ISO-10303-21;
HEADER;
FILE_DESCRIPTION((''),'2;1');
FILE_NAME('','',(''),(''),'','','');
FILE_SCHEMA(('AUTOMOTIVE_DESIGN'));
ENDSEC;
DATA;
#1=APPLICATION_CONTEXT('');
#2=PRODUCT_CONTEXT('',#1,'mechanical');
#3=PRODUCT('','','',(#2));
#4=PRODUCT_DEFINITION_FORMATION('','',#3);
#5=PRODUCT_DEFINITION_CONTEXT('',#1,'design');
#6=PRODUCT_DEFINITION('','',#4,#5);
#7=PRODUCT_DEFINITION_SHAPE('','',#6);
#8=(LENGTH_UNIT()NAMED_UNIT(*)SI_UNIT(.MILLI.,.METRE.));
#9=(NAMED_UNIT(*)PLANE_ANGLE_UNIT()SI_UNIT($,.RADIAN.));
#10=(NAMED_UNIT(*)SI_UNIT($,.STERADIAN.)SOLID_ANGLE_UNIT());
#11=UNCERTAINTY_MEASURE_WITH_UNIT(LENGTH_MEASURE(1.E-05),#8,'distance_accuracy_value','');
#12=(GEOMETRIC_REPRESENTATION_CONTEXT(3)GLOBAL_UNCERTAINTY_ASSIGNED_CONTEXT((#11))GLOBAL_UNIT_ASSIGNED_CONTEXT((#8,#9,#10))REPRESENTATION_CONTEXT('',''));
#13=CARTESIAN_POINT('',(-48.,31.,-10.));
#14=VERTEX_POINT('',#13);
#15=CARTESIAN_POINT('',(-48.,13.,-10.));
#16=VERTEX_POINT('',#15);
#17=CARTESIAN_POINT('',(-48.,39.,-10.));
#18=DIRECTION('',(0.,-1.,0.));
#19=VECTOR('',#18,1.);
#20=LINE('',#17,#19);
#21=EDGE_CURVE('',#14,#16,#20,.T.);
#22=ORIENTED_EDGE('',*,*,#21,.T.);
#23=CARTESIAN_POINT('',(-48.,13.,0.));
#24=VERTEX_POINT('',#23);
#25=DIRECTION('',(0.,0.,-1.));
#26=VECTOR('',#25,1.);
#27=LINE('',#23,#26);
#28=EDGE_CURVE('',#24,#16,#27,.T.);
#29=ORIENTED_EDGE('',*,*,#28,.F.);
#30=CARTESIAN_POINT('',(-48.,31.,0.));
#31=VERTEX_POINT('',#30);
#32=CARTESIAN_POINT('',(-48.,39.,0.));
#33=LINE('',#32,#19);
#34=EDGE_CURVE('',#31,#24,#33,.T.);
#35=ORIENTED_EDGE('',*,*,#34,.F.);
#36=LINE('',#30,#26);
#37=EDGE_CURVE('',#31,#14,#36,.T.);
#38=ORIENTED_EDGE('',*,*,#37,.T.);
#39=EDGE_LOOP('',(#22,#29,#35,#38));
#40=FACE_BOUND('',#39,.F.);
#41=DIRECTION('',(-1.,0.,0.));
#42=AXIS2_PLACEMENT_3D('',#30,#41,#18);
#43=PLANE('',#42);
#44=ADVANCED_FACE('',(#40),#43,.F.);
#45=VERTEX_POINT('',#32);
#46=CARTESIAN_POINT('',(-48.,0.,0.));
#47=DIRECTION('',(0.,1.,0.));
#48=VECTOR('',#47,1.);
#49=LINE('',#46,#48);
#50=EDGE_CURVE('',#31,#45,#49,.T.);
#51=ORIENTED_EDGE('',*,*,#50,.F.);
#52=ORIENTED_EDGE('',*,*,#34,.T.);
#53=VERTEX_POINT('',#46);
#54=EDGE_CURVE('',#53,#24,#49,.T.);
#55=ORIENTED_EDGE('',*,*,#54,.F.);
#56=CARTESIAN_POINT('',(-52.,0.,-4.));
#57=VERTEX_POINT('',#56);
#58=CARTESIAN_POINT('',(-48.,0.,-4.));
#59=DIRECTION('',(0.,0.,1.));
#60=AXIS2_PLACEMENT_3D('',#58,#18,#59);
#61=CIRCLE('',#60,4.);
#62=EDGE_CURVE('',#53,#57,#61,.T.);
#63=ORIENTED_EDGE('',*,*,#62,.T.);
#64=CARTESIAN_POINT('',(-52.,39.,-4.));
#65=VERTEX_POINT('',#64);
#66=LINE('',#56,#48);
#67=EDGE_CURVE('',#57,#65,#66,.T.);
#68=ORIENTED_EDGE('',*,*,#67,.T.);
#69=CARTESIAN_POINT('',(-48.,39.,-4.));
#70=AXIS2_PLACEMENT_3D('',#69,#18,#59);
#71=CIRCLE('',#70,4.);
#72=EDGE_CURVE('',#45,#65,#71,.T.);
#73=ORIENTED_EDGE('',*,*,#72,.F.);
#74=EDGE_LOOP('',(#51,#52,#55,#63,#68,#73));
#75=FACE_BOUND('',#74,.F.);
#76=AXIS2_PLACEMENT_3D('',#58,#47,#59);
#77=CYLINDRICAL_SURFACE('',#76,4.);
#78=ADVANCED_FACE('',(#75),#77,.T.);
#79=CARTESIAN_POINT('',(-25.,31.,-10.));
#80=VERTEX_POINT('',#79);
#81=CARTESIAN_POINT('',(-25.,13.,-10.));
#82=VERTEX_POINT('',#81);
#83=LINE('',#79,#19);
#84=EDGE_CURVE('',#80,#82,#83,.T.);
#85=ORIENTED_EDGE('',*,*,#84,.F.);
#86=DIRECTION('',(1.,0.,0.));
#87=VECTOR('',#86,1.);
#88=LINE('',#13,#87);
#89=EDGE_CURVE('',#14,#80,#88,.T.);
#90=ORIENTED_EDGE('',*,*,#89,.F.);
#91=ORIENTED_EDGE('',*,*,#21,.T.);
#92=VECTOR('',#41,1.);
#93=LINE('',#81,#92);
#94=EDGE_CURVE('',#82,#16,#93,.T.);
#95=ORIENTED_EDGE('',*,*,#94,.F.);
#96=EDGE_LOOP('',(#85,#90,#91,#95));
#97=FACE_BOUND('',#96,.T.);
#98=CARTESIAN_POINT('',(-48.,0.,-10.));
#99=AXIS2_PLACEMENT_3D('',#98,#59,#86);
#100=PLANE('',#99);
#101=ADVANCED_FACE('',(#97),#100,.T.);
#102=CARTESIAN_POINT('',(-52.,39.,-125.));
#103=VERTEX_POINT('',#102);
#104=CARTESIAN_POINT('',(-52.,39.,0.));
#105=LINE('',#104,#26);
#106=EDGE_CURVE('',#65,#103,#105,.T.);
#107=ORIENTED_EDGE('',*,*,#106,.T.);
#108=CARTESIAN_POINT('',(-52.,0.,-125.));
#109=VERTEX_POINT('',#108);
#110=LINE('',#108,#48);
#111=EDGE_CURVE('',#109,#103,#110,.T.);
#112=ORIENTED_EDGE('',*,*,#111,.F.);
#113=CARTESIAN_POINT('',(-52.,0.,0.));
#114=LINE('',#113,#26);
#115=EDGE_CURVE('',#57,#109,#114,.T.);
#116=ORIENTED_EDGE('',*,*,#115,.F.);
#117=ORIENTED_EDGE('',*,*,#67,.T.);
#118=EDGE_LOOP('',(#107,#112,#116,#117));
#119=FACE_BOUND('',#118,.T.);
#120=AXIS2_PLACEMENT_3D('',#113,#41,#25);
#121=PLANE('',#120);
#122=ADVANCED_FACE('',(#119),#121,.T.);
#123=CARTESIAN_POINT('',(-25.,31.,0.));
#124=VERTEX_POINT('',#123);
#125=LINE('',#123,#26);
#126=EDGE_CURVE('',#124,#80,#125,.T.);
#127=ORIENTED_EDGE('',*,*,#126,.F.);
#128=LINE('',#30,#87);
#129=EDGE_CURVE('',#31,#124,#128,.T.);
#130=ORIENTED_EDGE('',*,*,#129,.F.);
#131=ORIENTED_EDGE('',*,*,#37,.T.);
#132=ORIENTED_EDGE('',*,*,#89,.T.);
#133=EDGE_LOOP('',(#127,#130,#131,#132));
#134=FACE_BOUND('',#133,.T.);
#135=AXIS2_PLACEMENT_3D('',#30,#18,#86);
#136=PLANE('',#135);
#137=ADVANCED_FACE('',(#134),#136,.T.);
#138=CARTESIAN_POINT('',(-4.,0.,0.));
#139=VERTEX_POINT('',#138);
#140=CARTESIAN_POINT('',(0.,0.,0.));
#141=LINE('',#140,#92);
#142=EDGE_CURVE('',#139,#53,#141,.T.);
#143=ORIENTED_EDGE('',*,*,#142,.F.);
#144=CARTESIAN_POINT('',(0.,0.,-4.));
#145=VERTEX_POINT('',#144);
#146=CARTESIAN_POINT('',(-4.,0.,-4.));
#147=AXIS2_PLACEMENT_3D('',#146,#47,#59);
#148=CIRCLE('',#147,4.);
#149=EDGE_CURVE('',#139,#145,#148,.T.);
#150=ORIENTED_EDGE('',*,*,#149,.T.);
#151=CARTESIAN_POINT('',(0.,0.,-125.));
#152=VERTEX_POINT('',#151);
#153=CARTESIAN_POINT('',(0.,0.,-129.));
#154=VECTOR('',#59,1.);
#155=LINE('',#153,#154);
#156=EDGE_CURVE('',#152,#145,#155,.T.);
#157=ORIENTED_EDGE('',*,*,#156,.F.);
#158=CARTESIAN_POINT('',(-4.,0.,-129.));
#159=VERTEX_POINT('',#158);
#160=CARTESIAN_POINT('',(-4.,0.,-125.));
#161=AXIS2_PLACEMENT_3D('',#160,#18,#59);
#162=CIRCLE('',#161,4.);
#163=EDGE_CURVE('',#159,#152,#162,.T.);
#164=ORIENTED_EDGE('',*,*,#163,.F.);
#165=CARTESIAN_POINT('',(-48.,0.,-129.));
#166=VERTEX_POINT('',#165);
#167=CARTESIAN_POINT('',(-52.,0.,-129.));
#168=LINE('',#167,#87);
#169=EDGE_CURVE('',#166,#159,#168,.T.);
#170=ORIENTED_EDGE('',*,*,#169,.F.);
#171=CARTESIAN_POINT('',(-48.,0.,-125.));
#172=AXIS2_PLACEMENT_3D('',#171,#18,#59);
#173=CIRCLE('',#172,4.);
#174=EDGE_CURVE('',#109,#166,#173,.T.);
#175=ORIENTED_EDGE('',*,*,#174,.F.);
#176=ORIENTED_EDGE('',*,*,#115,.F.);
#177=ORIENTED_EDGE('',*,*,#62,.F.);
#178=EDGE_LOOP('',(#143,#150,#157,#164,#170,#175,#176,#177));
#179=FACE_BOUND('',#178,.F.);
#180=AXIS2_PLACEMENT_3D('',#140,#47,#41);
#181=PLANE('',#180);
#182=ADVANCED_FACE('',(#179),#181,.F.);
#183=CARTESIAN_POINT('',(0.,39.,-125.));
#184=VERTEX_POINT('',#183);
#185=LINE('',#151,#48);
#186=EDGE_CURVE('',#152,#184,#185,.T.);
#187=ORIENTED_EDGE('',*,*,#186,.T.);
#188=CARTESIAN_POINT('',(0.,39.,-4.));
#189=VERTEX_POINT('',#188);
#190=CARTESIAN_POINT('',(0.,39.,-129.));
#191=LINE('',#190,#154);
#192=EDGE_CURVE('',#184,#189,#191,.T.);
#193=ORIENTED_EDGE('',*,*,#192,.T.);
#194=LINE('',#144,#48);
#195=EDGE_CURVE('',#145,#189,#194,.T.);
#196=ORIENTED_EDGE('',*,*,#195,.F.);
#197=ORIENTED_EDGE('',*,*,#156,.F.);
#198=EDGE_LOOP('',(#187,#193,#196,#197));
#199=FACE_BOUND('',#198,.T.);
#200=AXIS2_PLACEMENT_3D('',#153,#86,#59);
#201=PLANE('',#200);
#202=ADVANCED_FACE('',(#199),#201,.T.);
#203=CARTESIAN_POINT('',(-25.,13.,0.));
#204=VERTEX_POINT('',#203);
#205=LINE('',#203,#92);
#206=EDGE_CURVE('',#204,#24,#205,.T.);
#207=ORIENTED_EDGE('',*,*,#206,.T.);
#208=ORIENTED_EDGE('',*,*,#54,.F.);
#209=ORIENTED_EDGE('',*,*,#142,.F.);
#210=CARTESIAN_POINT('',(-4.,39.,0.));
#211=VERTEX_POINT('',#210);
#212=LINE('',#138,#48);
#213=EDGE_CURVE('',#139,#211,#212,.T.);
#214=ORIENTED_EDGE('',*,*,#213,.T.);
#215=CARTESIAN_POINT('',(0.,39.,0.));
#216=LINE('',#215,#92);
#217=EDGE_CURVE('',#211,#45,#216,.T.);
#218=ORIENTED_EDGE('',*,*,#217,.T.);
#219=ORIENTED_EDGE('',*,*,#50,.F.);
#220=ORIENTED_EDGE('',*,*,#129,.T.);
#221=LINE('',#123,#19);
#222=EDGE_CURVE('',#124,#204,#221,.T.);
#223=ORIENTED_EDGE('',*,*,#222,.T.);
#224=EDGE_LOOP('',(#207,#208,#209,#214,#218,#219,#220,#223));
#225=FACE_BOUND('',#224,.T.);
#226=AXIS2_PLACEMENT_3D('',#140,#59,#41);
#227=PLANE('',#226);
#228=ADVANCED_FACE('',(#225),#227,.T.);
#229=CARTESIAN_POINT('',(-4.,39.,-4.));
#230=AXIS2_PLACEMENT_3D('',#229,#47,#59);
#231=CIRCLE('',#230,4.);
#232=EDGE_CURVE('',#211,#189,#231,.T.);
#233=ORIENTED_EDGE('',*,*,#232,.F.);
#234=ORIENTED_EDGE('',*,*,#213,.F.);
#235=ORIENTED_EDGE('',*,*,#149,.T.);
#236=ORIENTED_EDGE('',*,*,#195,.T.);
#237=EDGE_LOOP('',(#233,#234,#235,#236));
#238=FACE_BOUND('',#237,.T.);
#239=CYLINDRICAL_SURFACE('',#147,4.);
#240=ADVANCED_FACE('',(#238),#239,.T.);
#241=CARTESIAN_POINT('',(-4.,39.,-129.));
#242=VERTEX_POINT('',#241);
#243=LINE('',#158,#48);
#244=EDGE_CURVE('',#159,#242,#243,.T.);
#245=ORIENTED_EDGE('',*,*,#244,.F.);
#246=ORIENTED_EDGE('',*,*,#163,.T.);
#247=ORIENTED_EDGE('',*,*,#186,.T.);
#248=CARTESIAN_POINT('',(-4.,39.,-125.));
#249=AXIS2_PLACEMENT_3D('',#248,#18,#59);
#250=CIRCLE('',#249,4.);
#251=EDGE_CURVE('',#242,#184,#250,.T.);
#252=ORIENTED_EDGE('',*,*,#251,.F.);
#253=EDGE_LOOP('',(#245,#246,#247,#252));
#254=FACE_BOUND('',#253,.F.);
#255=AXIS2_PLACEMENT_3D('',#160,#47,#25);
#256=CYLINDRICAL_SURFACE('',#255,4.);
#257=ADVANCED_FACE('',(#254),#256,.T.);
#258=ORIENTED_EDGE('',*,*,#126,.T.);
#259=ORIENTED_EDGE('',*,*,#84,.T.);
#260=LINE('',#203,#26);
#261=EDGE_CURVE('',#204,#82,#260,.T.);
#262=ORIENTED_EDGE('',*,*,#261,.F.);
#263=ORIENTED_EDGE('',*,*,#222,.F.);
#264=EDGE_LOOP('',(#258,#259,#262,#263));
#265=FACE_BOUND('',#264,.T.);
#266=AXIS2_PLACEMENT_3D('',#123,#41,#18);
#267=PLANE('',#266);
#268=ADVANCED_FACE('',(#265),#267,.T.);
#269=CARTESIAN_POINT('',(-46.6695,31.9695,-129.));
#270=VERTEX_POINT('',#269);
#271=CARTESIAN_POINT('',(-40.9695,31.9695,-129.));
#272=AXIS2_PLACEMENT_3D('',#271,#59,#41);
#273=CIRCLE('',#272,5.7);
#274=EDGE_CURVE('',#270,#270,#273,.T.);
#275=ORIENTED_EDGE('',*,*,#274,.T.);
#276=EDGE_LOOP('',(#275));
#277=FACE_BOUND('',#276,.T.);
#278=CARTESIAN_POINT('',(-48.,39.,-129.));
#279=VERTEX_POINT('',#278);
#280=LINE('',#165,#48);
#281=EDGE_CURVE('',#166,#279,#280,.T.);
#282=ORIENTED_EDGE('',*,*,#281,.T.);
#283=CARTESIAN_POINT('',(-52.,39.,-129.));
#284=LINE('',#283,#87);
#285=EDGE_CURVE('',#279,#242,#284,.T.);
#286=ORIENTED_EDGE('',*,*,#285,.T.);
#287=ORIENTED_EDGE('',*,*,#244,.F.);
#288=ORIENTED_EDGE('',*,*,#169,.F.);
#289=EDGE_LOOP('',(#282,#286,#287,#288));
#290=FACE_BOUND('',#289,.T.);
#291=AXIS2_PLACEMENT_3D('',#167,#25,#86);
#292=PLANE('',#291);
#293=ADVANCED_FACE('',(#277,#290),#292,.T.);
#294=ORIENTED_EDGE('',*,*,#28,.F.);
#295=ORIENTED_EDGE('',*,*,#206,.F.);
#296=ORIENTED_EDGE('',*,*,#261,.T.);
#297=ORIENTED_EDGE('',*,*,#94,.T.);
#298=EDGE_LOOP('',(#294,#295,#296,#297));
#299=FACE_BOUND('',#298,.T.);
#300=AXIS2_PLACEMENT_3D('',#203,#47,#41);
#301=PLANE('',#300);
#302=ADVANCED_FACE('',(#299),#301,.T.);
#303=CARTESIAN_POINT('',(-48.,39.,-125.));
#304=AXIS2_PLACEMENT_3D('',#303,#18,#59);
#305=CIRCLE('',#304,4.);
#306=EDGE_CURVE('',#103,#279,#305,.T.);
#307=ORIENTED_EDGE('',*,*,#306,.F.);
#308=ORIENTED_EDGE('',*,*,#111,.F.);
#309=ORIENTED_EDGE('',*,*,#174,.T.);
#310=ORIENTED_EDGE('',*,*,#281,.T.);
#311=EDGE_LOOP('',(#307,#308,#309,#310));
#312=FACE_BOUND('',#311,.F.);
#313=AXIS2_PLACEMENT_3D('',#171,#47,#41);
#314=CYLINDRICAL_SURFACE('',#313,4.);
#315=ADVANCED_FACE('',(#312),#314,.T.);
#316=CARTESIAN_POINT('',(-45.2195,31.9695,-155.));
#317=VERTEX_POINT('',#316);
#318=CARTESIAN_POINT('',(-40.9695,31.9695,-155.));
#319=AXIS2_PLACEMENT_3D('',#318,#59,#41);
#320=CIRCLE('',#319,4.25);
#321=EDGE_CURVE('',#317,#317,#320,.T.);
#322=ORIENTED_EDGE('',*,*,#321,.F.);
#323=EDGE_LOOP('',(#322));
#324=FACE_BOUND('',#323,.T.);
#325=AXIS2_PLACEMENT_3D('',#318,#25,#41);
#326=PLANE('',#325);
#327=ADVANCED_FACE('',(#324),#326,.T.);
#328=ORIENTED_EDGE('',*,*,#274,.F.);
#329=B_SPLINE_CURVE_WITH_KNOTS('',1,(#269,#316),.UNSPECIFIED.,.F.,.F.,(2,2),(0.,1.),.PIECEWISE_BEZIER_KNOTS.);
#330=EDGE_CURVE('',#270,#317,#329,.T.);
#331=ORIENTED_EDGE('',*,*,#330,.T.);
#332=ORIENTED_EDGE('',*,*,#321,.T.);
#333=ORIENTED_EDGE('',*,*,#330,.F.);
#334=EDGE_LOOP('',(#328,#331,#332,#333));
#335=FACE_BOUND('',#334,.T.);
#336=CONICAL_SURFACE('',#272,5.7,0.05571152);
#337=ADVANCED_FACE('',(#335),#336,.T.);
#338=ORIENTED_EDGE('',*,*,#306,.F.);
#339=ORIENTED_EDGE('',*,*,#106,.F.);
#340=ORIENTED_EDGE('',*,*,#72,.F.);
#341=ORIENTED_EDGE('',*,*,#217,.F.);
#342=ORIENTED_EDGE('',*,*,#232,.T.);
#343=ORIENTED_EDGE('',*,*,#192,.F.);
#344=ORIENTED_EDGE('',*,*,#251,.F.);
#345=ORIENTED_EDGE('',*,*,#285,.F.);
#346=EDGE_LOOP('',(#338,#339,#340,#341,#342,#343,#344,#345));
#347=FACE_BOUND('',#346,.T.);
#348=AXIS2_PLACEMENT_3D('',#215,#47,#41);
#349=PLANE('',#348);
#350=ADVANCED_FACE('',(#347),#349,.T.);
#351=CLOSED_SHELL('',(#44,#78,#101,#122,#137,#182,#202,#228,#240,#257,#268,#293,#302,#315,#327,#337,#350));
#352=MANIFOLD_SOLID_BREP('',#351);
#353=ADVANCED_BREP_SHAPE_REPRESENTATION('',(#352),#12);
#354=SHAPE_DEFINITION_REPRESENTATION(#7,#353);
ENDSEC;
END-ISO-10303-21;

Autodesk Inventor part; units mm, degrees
ref_plane "YZ Plane" through (0, 0, 0) normal (1, 0, 0) x (0, 1, 0)
ref_plane "XZ Plane" through (0, 0, 0) normal (0, 1, 0) x (-1, 0, 0)
sketch "Sketch1" plane through (0, 0, 0) normal (0, 1, 0) x (-1, 0, 0)
  line L0 (0, 0) -> (52, 0)
  line L1 (52, 0) -> (52, -129)
  line L2 (52, -129) -> (0, -129)
  line L3 (0, -129) -> (0, 0)
  dimension "d0" = 52
  dimension "d1" = 129
extrude "Extrusion1" add sketch "Sketch1" along normal blind 39
fillet "Fillet1" radius 4 4 edges at (0, 19.5, 0) (0, 19.5, -129) (-52, 19.5, 0) (-52, 19.5, -129)
sketch "Sketch2" plane through (-48, 0, 0) normal (0, 0, 1) x (1, 0, 0)
  line L0 (44, 39) -> (0, 39) projected
  line L1 (0, 39) -> (0, 31)
  line L2 (0, 39) -> (0, 0) projected
  line L3 (0, 31) -> (23, 31)
  line L4 (23, 31) -> (23, 13)
  line L5 (23, 13) -> (0, 13)
  line L6 (0, 13) -> (0, 31)
  point P0 (48, 0)
  dimension "d5" = 8
  dimension "d6" = 23
  dimension "d7" = 18
extrude "Extrusion2" cut sketch "Sketch2" against normal blind 10
sketch "Sketch3" plane through (-4, 0, -129) normal (0, 0, -1) x (-1, 0, 0)
  line L0 (0, 39) -> (44, 39) projected
  line L1 (44, 39) -> (44, 36)
  line L2 (44, 39) -> (44, 0) projected
  line L3 (44, 36) -> (41, 36)
  line L4 (41, 36) -> (36.9695, 31.9695)
  line L5 (41, 36) -> (46.7, 36) construction
  circle A0 centre (36.9695, 31.9695) radius 5.7
  point P0 (-4, 0)
  dimension "d10" = 3
  dimension "d11" = 3
  dimension "d12" = 5.7
  dimension "d13" = 135
ref_plane "Work Plane1" through (-4, 0, -155) normal (0, 0, -1) x (-1, 0, 0)
sketch "Sketch4" plane through (-4, 0, -155) normal (0, 0, -1) x (-1, 0, 0)
  line L0 (0, 39) -> (44, 39) projected
  line L1 (44, 39) -> (44, 36)
  line L2 (44, 39) -> (44, 0) projected
  line L3 (44, 36) -> (41, 36)
  line L4 (41, 36) -> (36.9695, 31.9695)
  line L5 (41, 36) -> (46.7, 36) construction
  circle A0 centre (36.9695, 31.9695) radius 4.25
  point P0 (-4, 0)
  dimension "d15" = 3
  dimension "d16" = 3
  dimension "d17" = 5.7
  dimension "d18" = 135
  dimension "d19" = 8.5
loft "Loft1" add profiles "Sketch3", "Sketch4"
properties part number "NucPower"
